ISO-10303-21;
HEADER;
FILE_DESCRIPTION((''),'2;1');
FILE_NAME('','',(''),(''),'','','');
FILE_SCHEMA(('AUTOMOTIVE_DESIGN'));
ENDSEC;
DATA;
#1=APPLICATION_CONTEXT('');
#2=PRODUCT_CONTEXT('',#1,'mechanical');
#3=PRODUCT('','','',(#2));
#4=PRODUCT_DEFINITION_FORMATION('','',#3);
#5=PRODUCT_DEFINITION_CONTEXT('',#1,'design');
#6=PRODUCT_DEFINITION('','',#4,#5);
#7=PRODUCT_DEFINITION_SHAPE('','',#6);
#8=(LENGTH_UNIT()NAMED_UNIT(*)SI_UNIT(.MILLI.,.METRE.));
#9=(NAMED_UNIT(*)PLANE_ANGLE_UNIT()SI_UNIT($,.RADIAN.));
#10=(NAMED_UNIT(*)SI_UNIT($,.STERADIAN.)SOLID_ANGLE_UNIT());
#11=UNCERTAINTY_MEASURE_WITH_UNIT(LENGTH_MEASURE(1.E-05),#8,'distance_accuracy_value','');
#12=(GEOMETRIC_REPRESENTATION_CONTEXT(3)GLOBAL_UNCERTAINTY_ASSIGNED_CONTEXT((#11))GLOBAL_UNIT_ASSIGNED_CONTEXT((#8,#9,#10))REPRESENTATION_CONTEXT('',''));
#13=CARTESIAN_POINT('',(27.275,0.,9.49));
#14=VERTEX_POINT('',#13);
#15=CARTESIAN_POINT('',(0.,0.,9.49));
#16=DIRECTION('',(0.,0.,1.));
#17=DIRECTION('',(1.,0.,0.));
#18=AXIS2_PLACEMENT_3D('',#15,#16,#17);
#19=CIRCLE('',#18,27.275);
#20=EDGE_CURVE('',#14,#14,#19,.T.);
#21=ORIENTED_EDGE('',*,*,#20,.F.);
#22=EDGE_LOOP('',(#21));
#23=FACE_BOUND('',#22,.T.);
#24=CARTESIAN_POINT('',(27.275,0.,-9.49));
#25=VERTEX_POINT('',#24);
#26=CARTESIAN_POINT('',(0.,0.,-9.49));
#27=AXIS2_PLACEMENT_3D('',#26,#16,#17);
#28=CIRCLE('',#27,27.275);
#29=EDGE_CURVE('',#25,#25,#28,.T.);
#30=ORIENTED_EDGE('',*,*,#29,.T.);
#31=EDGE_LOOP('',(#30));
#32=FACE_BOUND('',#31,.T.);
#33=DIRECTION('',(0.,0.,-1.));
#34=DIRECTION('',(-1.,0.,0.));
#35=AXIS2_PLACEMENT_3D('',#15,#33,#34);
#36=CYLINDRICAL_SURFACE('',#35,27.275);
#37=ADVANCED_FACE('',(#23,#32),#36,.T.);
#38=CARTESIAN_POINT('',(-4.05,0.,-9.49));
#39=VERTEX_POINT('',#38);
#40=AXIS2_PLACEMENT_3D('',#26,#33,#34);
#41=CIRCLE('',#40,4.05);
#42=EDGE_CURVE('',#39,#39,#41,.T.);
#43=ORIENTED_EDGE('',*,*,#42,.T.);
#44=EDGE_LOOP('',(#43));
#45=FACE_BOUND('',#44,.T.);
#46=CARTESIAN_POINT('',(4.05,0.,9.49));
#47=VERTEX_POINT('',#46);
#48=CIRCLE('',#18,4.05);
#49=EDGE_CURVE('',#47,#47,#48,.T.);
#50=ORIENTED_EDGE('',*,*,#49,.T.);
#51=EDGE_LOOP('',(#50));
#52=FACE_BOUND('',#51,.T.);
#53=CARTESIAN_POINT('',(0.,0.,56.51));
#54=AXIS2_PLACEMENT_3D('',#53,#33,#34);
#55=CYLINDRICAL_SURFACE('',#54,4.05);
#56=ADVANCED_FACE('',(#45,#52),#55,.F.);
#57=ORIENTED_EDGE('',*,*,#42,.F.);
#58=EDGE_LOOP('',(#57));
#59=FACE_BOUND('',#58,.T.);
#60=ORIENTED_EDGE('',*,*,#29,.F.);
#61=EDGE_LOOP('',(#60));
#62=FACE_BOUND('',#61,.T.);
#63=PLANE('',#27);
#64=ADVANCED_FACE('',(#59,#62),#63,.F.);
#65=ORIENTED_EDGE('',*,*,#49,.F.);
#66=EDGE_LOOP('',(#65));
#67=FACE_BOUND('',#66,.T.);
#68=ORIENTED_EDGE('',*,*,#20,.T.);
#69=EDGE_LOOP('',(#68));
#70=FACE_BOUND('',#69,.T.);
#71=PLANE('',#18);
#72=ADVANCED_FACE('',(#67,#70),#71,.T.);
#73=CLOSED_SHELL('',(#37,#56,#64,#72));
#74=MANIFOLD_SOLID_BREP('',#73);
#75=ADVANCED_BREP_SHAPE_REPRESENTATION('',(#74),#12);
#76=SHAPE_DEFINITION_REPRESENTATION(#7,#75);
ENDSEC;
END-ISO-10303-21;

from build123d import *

# Parameters (mm, degrees)
CROQUIS1_R              = 27.275
SALIENTE_EXTRUIR1_DEPTH = 9.49
CROQUIS2_R              = 4.05
CORTAR_EXTRUIR3_DEPTH   = 66


with BuildPart() as part:
    # Croquis1 → Saliente-Extruir1 (new, symmetric)
    with BuildSketch(Plane.XY):
        Circle(CROQUIS1_R)
    extrude(amount=SALIENTE_EXTRUIR1_DEPTH, both=True)

    # Croquis2 → Cortar-Extruir3 (cut)
    with BuildSketch(Plane(origin=(0, 0, -9.49), x_dir=(-1, 0, 0), z_dir=(0, 0, -1))):
        Circle(CROQUIS2_R)
    extrude(amount=-CORTAR_EXTRUIR3_DEPTH, mode=Mode.SUBTRACT)


solid = part.part
